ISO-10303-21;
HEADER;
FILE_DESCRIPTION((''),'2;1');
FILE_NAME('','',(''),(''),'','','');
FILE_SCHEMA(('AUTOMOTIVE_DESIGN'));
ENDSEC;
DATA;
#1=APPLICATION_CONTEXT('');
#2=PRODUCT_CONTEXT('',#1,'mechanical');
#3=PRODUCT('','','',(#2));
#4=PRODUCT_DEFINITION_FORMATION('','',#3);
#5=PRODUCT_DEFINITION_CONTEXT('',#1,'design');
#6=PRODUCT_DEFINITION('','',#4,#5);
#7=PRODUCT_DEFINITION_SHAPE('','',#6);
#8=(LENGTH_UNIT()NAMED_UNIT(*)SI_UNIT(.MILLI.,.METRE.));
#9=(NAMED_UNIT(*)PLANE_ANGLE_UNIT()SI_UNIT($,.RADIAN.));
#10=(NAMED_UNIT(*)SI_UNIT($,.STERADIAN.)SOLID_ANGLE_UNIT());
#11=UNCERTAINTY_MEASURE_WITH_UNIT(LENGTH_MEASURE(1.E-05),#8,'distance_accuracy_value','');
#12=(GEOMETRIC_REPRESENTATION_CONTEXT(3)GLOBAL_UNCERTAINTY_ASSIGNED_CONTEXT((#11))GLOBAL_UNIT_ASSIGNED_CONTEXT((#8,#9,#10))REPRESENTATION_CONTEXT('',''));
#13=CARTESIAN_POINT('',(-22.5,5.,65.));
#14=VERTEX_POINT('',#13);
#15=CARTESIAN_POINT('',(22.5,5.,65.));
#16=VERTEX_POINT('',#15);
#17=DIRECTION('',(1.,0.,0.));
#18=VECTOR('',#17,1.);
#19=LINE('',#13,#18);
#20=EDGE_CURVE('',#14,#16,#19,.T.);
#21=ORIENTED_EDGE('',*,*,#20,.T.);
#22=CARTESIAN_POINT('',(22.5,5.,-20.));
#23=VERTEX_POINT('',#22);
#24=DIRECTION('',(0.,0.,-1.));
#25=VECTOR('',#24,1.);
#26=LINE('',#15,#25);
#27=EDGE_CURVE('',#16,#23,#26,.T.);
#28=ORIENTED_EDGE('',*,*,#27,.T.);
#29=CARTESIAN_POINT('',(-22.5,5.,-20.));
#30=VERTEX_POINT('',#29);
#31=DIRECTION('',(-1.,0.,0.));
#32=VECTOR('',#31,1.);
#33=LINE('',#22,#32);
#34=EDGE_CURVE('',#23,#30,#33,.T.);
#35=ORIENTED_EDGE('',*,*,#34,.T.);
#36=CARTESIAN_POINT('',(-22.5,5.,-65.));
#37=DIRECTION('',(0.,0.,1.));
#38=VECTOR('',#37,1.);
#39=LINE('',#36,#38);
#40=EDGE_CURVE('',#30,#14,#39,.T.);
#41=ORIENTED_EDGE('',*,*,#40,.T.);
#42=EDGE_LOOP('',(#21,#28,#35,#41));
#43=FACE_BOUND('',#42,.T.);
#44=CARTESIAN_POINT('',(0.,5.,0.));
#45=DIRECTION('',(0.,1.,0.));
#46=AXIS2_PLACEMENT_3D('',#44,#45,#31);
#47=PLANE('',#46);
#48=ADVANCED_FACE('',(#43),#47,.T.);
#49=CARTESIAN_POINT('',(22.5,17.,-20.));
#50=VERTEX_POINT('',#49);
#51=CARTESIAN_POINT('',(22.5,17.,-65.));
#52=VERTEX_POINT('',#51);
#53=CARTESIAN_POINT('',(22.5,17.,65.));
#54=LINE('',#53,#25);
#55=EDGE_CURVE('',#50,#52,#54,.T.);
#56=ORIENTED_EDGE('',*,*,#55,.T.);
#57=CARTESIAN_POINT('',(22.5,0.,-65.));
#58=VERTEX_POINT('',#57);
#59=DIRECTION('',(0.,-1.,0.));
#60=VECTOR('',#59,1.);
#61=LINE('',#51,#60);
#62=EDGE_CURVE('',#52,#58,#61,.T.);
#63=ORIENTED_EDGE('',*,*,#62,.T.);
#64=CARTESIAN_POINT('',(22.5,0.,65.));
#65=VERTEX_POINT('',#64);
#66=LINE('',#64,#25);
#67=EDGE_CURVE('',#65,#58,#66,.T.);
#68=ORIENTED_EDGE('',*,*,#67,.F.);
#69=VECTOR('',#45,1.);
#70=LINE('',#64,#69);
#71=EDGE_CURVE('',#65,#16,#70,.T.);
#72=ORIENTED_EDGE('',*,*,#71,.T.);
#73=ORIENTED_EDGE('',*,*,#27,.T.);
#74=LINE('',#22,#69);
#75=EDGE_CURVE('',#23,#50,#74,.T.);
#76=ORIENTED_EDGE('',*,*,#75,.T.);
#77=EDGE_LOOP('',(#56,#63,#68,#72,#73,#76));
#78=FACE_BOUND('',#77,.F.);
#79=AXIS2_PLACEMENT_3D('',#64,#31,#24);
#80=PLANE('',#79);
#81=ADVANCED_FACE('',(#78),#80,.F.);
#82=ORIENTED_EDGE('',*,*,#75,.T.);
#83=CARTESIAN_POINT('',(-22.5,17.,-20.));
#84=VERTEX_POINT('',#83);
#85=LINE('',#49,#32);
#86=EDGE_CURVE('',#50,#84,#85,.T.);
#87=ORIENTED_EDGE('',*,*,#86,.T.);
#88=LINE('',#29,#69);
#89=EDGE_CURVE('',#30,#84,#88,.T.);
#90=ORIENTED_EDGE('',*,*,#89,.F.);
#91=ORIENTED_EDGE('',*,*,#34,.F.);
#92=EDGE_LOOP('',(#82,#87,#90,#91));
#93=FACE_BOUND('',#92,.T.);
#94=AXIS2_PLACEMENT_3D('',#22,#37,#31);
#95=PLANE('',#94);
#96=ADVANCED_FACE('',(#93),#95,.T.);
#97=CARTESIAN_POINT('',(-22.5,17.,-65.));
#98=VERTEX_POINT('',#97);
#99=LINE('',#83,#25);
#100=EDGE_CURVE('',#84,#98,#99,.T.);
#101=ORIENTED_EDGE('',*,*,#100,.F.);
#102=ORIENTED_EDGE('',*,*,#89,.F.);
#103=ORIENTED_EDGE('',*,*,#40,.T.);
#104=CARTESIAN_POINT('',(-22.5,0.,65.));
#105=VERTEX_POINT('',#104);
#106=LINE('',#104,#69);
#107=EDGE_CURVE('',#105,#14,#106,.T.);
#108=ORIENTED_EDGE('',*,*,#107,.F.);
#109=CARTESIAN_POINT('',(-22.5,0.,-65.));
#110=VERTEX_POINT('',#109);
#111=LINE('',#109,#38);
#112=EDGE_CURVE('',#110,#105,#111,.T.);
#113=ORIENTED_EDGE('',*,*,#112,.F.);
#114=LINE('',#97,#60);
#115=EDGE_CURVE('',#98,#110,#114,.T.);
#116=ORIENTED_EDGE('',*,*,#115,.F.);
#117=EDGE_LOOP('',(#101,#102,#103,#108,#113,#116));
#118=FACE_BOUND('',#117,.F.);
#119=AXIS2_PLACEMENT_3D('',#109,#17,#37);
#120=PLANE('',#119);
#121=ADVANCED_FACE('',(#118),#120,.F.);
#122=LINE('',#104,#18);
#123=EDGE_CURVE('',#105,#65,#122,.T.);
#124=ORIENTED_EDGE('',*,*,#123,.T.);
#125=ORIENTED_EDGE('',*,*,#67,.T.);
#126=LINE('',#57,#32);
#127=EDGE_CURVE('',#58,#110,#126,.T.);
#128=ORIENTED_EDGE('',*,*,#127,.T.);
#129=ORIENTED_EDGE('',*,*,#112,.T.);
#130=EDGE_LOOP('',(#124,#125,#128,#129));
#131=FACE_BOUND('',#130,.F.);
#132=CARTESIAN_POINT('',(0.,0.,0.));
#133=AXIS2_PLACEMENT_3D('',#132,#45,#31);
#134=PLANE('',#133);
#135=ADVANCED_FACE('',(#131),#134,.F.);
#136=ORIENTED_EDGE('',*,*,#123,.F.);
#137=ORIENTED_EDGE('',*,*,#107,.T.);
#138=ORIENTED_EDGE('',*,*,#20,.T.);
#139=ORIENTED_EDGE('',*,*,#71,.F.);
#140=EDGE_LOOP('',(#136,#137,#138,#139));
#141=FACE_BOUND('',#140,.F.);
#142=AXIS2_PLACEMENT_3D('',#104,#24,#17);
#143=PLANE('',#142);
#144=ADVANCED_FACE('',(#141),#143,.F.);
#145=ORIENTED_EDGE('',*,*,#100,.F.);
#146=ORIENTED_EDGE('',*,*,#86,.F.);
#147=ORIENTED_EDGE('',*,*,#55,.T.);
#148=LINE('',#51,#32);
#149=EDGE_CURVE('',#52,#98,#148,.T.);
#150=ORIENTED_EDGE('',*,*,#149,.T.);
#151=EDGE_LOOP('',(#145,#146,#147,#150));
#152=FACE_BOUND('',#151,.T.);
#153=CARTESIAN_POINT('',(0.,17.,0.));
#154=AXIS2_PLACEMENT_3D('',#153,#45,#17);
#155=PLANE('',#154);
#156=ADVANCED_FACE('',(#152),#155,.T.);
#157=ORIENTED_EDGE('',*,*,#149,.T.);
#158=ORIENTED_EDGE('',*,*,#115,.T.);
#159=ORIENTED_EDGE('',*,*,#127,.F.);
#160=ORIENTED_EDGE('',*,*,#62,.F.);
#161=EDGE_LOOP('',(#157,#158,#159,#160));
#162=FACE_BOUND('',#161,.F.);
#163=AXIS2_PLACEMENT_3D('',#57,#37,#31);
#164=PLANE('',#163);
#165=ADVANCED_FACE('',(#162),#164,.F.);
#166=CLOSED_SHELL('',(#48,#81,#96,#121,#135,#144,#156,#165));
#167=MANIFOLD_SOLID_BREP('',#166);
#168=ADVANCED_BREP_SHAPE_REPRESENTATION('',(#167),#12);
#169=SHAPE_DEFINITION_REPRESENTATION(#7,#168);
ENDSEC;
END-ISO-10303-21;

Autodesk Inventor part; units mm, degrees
ref_plane "YZ Plane" through (0, 0, 0) normal (1, 0, 0) x (0, 1, 0)
ref_plane "XZ Plane" through (0, 0, 0) normal (0, 1, 0) x (-1, 0, 0)
ref_plane "XY Plane" through (0, 0, 0) normal (0, 0, 1) x (1, 0, 0)
sketch "Sketch1" plane through (0, 0, 0) normal (0, 1, 0) x (-1, 0, 0)
  line L0 (22.5, 65) -> (-22.5, 65)
  line L1 (-22.5, 65) -> (-22.5, -65)
  line L2 (-22.5, -65) -> (22.5, -65)
  line L3 (22.5, -65) -> (22.5, 65)
  line L4 (22.5, 65) -> (-22.5, -65) construction
  line L5 (-22.5, 65) -> (22.5, -65) construction
  point P0 (0, 0)
  dimension "d0" = 45
  dimension "d1" = 130
extrude "Extrusion1" add sketch "Sketch1" along normal blind 5
sketch "Sketch2" plane through (0, 5, 0) normal (0, 1, 0) x (1, 0, 0)
  line L0 (22.5, 65) -> (-22.5, 65) projected
  line L1 (22.5, -65) -> (22.5, 65) projected
  line L2 (-22.5, 65) -> (22.5, 65)
  line L3 (22.5, 65) -> (22.5, 20)
  line L4 (22.5, 20) -> (-22.5, 20)
  line L5 (-22.5, 20) -> (-22.5, 65)
  point P0 (0, 0)
  dimension "d4" = 45
extrude "Extrusion2" add sketch "Sketch2" along normal blind 12
properties part number "linear_motor_base_upper"
